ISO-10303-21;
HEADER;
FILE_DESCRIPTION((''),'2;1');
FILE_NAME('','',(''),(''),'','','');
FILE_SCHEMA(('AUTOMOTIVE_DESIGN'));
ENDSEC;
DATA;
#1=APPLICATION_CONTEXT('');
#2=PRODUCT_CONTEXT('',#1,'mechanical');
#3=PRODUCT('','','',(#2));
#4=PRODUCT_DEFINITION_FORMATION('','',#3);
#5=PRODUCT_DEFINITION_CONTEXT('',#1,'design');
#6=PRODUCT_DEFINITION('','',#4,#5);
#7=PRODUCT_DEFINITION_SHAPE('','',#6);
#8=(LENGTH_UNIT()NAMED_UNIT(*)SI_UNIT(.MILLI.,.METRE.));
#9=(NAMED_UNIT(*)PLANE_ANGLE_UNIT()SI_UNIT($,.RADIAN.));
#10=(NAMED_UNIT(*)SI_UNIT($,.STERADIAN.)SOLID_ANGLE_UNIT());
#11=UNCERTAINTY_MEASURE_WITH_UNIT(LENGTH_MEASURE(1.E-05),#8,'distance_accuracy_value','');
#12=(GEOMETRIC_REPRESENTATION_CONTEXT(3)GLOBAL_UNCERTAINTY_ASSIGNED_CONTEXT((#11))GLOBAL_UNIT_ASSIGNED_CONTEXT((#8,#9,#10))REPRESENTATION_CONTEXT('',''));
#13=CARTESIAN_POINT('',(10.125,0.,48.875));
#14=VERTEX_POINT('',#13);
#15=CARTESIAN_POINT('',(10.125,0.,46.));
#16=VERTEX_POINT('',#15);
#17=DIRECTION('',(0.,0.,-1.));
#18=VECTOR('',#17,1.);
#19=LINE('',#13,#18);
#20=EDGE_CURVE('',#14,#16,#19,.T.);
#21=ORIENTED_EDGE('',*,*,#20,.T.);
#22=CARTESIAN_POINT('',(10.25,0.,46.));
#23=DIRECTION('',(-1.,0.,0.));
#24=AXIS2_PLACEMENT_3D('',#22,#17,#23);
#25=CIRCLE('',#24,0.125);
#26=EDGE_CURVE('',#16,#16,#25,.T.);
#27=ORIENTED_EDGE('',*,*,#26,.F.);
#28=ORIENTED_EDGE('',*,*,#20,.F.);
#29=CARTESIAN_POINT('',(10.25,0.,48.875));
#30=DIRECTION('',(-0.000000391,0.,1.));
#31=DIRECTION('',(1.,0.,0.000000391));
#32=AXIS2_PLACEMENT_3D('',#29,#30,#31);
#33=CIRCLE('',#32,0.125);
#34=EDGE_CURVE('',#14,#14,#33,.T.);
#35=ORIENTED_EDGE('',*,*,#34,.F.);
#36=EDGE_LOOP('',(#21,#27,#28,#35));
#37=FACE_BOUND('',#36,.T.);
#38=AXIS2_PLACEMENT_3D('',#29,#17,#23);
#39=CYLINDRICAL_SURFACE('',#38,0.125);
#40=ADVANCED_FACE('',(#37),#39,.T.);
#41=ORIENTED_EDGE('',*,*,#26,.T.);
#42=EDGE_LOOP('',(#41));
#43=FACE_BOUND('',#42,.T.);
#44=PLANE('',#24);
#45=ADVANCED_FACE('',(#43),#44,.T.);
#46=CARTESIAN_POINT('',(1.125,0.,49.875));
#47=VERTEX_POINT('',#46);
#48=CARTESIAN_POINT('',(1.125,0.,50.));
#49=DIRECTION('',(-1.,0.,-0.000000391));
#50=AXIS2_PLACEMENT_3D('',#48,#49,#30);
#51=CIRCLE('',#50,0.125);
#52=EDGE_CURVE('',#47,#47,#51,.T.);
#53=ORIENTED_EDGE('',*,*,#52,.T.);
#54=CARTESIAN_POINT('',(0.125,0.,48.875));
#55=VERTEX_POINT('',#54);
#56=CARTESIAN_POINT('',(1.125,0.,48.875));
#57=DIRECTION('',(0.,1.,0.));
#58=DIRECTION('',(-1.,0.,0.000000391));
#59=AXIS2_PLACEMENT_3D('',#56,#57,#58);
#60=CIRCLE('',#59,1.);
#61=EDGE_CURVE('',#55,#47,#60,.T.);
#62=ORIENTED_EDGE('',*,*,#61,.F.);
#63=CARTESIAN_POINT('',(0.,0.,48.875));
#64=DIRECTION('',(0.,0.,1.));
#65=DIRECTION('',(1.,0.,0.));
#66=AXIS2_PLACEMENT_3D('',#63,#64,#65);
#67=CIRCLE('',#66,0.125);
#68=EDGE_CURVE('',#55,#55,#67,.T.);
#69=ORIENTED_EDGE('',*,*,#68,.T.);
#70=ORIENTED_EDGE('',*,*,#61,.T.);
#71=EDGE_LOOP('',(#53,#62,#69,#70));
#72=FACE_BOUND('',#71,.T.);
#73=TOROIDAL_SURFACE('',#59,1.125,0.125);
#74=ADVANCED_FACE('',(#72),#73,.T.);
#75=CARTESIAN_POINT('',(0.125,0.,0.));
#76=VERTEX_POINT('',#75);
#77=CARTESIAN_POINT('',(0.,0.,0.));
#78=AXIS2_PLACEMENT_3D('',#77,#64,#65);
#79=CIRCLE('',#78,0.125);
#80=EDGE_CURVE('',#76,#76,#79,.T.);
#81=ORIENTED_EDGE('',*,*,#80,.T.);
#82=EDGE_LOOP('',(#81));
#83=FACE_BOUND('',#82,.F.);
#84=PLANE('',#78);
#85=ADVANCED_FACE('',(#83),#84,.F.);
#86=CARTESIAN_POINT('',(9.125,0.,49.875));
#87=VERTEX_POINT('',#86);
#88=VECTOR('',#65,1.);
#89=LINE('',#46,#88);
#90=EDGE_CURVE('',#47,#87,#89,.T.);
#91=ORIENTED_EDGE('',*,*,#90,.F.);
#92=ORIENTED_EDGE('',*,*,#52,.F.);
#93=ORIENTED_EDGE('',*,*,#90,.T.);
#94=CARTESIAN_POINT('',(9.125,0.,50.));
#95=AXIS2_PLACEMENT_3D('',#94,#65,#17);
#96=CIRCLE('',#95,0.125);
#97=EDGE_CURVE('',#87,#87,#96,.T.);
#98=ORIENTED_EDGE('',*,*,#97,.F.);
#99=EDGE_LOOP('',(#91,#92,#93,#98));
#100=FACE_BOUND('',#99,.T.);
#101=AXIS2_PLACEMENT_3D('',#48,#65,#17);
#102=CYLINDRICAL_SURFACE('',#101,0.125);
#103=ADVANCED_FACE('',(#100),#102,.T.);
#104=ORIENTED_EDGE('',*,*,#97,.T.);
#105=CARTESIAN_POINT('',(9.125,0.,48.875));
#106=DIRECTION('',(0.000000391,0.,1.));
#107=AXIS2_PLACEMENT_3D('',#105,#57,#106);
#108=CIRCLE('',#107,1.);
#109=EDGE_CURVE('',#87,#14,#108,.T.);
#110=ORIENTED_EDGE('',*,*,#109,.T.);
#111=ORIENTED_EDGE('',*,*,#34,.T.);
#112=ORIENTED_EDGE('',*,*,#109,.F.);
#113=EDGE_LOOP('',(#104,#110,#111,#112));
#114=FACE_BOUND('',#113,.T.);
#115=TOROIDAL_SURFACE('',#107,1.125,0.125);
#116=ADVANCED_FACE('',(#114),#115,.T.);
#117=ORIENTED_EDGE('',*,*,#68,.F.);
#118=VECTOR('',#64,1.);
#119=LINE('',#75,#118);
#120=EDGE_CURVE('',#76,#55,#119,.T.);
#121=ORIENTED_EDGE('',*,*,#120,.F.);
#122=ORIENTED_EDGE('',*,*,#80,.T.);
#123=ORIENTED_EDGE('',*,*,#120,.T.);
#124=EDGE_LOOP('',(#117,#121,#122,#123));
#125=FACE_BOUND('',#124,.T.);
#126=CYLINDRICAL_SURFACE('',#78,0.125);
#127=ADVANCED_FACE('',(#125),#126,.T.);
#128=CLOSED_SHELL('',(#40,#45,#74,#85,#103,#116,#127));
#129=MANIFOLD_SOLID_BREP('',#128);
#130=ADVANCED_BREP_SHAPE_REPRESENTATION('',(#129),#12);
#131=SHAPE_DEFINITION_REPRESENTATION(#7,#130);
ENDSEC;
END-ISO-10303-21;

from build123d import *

# Parameters (mm, degrees)
F0_R = 0.125


with BuildPart() as f2:
    # F2: sweep along a path in F1
    with BuildLine(Plane.XZ) as f2_path:
        Line((0, 0), (0, 48.875))
        ThreePointArc((0, 48.875), (0.329505, 49.670495), (1.125, 50))
        Line((1.125, 50), (9.125, 50))
        ThreePointArc((9.125, 50), (9.920495, 49.670495), (10.25, 48.875))
        Line((10.25, 48.875), (10.25, 46))
    # F0 (on Top) → F2 (sweep)
    with BuildSketch(Plane.XY):
        Circle(F0_R)
    sweep(path=f2_path.line)


solid = f2.part
